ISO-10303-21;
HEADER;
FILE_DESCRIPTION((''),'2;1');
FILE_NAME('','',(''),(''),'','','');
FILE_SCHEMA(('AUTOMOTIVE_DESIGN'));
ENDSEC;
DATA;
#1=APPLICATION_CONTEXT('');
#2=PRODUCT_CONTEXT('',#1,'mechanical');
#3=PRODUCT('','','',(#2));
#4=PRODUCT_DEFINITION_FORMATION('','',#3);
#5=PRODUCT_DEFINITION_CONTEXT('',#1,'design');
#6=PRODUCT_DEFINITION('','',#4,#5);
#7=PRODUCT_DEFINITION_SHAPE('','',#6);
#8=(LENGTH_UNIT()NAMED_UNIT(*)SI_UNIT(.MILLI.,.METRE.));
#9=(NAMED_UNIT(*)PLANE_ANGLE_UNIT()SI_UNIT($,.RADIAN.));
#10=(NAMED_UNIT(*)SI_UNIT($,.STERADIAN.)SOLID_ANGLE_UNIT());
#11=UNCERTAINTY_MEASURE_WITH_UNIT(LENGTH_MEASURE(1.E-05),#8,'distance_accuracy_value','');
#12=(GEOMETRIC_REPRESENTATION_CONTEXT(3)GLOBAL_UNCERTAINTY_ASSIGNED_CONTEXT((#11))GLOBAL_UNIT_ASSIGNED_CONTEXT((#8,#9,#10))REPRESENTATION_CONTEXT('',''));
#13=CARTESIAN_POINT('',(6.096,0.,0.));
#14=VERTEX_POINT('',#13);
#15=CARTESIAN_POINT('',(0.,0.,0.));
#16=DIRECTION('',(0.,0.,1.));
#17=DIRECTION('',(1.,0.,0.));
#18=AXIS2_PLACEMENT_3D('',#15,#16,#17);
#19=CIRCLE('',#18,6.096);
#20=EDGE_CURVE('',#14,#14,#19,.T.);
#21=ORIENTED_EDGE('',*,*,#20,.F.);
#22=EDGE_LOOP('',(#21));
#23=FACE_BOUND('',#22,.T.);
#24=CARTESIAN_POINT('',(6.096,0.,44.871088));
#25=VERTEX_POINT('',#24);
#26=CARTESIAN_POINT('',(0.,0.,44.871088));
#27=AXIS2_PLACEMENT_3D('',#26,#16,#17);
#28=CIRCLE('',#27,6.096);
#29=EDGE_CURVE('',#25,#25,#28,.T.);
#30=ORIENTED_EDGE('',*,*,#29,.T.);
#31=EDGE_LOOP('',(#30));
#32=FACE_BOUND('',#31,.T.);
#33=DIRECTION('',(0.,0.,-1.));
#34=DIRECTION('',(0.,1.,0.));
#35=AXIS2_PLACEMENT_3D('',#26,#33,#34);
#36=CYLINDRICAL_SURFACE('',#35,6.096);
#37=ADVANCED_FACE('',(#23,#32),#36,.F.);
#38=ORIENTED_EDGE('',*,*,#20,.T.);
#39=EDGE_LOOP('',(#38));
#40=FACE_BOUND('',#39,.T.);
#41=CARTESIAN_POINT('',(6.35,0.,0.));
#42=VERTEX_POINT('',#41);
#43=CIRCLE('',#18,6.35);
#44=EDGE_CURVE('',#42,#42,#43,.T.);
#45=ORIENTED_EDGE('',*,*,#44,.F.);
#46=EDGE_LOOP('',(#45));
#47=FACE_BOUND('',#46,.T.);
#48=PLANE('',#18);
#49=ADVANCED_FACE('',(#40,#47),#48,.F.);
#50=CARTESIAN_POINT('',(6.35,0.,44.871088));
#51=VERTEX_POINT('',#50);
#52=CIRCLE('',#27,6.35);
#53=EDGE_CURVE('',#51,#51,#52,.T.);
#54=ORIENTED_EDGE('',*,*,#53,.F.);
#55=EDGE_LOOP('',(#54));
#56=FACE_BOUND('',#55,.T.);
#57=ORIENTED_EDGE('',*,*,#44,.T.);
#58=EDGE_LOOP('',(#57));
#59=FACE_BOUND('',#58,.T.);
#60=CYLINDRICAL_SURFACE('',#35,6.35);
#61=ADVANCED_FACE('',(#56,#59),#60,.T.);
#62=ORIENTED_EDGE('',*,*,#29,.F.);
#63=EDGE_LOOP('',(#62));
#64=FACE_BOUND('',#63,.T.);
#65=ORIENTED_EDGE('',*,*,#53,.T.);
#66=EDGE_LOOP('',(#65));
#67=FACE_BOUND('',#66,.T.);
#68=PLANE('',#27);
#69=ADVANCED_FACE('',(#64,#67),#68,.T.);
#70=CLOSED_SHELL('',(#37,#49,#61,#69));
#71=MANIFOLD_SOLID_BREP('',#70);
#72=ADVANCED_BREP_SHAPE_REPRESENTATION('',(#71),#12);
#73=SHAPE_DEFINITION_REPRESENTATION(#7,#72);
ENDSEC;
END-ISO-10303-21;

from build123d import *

# Parameters (mm, degrees)
PIPESKETCH_R   = 6.35
PIPESKETCH_R_2 = 6.096


with BuildPart() as part:
    # ThinSweep: sweep along a curve in space
    with BuildLine() as thinsweep_path:
        Line((0, 0, 7.698e-06), (0, 0, 44.87109601))
    # PipeSketch → ThinSweep (sweep)
    with BuildSketch(Plane.XY):
        Circle(PIPESKETCH_R)
        Circle(PIPESKETCH_R_2, mode=Mode.SUBTRACT)
    sweep(path=thinsweep_path.line)


solid = part.part
